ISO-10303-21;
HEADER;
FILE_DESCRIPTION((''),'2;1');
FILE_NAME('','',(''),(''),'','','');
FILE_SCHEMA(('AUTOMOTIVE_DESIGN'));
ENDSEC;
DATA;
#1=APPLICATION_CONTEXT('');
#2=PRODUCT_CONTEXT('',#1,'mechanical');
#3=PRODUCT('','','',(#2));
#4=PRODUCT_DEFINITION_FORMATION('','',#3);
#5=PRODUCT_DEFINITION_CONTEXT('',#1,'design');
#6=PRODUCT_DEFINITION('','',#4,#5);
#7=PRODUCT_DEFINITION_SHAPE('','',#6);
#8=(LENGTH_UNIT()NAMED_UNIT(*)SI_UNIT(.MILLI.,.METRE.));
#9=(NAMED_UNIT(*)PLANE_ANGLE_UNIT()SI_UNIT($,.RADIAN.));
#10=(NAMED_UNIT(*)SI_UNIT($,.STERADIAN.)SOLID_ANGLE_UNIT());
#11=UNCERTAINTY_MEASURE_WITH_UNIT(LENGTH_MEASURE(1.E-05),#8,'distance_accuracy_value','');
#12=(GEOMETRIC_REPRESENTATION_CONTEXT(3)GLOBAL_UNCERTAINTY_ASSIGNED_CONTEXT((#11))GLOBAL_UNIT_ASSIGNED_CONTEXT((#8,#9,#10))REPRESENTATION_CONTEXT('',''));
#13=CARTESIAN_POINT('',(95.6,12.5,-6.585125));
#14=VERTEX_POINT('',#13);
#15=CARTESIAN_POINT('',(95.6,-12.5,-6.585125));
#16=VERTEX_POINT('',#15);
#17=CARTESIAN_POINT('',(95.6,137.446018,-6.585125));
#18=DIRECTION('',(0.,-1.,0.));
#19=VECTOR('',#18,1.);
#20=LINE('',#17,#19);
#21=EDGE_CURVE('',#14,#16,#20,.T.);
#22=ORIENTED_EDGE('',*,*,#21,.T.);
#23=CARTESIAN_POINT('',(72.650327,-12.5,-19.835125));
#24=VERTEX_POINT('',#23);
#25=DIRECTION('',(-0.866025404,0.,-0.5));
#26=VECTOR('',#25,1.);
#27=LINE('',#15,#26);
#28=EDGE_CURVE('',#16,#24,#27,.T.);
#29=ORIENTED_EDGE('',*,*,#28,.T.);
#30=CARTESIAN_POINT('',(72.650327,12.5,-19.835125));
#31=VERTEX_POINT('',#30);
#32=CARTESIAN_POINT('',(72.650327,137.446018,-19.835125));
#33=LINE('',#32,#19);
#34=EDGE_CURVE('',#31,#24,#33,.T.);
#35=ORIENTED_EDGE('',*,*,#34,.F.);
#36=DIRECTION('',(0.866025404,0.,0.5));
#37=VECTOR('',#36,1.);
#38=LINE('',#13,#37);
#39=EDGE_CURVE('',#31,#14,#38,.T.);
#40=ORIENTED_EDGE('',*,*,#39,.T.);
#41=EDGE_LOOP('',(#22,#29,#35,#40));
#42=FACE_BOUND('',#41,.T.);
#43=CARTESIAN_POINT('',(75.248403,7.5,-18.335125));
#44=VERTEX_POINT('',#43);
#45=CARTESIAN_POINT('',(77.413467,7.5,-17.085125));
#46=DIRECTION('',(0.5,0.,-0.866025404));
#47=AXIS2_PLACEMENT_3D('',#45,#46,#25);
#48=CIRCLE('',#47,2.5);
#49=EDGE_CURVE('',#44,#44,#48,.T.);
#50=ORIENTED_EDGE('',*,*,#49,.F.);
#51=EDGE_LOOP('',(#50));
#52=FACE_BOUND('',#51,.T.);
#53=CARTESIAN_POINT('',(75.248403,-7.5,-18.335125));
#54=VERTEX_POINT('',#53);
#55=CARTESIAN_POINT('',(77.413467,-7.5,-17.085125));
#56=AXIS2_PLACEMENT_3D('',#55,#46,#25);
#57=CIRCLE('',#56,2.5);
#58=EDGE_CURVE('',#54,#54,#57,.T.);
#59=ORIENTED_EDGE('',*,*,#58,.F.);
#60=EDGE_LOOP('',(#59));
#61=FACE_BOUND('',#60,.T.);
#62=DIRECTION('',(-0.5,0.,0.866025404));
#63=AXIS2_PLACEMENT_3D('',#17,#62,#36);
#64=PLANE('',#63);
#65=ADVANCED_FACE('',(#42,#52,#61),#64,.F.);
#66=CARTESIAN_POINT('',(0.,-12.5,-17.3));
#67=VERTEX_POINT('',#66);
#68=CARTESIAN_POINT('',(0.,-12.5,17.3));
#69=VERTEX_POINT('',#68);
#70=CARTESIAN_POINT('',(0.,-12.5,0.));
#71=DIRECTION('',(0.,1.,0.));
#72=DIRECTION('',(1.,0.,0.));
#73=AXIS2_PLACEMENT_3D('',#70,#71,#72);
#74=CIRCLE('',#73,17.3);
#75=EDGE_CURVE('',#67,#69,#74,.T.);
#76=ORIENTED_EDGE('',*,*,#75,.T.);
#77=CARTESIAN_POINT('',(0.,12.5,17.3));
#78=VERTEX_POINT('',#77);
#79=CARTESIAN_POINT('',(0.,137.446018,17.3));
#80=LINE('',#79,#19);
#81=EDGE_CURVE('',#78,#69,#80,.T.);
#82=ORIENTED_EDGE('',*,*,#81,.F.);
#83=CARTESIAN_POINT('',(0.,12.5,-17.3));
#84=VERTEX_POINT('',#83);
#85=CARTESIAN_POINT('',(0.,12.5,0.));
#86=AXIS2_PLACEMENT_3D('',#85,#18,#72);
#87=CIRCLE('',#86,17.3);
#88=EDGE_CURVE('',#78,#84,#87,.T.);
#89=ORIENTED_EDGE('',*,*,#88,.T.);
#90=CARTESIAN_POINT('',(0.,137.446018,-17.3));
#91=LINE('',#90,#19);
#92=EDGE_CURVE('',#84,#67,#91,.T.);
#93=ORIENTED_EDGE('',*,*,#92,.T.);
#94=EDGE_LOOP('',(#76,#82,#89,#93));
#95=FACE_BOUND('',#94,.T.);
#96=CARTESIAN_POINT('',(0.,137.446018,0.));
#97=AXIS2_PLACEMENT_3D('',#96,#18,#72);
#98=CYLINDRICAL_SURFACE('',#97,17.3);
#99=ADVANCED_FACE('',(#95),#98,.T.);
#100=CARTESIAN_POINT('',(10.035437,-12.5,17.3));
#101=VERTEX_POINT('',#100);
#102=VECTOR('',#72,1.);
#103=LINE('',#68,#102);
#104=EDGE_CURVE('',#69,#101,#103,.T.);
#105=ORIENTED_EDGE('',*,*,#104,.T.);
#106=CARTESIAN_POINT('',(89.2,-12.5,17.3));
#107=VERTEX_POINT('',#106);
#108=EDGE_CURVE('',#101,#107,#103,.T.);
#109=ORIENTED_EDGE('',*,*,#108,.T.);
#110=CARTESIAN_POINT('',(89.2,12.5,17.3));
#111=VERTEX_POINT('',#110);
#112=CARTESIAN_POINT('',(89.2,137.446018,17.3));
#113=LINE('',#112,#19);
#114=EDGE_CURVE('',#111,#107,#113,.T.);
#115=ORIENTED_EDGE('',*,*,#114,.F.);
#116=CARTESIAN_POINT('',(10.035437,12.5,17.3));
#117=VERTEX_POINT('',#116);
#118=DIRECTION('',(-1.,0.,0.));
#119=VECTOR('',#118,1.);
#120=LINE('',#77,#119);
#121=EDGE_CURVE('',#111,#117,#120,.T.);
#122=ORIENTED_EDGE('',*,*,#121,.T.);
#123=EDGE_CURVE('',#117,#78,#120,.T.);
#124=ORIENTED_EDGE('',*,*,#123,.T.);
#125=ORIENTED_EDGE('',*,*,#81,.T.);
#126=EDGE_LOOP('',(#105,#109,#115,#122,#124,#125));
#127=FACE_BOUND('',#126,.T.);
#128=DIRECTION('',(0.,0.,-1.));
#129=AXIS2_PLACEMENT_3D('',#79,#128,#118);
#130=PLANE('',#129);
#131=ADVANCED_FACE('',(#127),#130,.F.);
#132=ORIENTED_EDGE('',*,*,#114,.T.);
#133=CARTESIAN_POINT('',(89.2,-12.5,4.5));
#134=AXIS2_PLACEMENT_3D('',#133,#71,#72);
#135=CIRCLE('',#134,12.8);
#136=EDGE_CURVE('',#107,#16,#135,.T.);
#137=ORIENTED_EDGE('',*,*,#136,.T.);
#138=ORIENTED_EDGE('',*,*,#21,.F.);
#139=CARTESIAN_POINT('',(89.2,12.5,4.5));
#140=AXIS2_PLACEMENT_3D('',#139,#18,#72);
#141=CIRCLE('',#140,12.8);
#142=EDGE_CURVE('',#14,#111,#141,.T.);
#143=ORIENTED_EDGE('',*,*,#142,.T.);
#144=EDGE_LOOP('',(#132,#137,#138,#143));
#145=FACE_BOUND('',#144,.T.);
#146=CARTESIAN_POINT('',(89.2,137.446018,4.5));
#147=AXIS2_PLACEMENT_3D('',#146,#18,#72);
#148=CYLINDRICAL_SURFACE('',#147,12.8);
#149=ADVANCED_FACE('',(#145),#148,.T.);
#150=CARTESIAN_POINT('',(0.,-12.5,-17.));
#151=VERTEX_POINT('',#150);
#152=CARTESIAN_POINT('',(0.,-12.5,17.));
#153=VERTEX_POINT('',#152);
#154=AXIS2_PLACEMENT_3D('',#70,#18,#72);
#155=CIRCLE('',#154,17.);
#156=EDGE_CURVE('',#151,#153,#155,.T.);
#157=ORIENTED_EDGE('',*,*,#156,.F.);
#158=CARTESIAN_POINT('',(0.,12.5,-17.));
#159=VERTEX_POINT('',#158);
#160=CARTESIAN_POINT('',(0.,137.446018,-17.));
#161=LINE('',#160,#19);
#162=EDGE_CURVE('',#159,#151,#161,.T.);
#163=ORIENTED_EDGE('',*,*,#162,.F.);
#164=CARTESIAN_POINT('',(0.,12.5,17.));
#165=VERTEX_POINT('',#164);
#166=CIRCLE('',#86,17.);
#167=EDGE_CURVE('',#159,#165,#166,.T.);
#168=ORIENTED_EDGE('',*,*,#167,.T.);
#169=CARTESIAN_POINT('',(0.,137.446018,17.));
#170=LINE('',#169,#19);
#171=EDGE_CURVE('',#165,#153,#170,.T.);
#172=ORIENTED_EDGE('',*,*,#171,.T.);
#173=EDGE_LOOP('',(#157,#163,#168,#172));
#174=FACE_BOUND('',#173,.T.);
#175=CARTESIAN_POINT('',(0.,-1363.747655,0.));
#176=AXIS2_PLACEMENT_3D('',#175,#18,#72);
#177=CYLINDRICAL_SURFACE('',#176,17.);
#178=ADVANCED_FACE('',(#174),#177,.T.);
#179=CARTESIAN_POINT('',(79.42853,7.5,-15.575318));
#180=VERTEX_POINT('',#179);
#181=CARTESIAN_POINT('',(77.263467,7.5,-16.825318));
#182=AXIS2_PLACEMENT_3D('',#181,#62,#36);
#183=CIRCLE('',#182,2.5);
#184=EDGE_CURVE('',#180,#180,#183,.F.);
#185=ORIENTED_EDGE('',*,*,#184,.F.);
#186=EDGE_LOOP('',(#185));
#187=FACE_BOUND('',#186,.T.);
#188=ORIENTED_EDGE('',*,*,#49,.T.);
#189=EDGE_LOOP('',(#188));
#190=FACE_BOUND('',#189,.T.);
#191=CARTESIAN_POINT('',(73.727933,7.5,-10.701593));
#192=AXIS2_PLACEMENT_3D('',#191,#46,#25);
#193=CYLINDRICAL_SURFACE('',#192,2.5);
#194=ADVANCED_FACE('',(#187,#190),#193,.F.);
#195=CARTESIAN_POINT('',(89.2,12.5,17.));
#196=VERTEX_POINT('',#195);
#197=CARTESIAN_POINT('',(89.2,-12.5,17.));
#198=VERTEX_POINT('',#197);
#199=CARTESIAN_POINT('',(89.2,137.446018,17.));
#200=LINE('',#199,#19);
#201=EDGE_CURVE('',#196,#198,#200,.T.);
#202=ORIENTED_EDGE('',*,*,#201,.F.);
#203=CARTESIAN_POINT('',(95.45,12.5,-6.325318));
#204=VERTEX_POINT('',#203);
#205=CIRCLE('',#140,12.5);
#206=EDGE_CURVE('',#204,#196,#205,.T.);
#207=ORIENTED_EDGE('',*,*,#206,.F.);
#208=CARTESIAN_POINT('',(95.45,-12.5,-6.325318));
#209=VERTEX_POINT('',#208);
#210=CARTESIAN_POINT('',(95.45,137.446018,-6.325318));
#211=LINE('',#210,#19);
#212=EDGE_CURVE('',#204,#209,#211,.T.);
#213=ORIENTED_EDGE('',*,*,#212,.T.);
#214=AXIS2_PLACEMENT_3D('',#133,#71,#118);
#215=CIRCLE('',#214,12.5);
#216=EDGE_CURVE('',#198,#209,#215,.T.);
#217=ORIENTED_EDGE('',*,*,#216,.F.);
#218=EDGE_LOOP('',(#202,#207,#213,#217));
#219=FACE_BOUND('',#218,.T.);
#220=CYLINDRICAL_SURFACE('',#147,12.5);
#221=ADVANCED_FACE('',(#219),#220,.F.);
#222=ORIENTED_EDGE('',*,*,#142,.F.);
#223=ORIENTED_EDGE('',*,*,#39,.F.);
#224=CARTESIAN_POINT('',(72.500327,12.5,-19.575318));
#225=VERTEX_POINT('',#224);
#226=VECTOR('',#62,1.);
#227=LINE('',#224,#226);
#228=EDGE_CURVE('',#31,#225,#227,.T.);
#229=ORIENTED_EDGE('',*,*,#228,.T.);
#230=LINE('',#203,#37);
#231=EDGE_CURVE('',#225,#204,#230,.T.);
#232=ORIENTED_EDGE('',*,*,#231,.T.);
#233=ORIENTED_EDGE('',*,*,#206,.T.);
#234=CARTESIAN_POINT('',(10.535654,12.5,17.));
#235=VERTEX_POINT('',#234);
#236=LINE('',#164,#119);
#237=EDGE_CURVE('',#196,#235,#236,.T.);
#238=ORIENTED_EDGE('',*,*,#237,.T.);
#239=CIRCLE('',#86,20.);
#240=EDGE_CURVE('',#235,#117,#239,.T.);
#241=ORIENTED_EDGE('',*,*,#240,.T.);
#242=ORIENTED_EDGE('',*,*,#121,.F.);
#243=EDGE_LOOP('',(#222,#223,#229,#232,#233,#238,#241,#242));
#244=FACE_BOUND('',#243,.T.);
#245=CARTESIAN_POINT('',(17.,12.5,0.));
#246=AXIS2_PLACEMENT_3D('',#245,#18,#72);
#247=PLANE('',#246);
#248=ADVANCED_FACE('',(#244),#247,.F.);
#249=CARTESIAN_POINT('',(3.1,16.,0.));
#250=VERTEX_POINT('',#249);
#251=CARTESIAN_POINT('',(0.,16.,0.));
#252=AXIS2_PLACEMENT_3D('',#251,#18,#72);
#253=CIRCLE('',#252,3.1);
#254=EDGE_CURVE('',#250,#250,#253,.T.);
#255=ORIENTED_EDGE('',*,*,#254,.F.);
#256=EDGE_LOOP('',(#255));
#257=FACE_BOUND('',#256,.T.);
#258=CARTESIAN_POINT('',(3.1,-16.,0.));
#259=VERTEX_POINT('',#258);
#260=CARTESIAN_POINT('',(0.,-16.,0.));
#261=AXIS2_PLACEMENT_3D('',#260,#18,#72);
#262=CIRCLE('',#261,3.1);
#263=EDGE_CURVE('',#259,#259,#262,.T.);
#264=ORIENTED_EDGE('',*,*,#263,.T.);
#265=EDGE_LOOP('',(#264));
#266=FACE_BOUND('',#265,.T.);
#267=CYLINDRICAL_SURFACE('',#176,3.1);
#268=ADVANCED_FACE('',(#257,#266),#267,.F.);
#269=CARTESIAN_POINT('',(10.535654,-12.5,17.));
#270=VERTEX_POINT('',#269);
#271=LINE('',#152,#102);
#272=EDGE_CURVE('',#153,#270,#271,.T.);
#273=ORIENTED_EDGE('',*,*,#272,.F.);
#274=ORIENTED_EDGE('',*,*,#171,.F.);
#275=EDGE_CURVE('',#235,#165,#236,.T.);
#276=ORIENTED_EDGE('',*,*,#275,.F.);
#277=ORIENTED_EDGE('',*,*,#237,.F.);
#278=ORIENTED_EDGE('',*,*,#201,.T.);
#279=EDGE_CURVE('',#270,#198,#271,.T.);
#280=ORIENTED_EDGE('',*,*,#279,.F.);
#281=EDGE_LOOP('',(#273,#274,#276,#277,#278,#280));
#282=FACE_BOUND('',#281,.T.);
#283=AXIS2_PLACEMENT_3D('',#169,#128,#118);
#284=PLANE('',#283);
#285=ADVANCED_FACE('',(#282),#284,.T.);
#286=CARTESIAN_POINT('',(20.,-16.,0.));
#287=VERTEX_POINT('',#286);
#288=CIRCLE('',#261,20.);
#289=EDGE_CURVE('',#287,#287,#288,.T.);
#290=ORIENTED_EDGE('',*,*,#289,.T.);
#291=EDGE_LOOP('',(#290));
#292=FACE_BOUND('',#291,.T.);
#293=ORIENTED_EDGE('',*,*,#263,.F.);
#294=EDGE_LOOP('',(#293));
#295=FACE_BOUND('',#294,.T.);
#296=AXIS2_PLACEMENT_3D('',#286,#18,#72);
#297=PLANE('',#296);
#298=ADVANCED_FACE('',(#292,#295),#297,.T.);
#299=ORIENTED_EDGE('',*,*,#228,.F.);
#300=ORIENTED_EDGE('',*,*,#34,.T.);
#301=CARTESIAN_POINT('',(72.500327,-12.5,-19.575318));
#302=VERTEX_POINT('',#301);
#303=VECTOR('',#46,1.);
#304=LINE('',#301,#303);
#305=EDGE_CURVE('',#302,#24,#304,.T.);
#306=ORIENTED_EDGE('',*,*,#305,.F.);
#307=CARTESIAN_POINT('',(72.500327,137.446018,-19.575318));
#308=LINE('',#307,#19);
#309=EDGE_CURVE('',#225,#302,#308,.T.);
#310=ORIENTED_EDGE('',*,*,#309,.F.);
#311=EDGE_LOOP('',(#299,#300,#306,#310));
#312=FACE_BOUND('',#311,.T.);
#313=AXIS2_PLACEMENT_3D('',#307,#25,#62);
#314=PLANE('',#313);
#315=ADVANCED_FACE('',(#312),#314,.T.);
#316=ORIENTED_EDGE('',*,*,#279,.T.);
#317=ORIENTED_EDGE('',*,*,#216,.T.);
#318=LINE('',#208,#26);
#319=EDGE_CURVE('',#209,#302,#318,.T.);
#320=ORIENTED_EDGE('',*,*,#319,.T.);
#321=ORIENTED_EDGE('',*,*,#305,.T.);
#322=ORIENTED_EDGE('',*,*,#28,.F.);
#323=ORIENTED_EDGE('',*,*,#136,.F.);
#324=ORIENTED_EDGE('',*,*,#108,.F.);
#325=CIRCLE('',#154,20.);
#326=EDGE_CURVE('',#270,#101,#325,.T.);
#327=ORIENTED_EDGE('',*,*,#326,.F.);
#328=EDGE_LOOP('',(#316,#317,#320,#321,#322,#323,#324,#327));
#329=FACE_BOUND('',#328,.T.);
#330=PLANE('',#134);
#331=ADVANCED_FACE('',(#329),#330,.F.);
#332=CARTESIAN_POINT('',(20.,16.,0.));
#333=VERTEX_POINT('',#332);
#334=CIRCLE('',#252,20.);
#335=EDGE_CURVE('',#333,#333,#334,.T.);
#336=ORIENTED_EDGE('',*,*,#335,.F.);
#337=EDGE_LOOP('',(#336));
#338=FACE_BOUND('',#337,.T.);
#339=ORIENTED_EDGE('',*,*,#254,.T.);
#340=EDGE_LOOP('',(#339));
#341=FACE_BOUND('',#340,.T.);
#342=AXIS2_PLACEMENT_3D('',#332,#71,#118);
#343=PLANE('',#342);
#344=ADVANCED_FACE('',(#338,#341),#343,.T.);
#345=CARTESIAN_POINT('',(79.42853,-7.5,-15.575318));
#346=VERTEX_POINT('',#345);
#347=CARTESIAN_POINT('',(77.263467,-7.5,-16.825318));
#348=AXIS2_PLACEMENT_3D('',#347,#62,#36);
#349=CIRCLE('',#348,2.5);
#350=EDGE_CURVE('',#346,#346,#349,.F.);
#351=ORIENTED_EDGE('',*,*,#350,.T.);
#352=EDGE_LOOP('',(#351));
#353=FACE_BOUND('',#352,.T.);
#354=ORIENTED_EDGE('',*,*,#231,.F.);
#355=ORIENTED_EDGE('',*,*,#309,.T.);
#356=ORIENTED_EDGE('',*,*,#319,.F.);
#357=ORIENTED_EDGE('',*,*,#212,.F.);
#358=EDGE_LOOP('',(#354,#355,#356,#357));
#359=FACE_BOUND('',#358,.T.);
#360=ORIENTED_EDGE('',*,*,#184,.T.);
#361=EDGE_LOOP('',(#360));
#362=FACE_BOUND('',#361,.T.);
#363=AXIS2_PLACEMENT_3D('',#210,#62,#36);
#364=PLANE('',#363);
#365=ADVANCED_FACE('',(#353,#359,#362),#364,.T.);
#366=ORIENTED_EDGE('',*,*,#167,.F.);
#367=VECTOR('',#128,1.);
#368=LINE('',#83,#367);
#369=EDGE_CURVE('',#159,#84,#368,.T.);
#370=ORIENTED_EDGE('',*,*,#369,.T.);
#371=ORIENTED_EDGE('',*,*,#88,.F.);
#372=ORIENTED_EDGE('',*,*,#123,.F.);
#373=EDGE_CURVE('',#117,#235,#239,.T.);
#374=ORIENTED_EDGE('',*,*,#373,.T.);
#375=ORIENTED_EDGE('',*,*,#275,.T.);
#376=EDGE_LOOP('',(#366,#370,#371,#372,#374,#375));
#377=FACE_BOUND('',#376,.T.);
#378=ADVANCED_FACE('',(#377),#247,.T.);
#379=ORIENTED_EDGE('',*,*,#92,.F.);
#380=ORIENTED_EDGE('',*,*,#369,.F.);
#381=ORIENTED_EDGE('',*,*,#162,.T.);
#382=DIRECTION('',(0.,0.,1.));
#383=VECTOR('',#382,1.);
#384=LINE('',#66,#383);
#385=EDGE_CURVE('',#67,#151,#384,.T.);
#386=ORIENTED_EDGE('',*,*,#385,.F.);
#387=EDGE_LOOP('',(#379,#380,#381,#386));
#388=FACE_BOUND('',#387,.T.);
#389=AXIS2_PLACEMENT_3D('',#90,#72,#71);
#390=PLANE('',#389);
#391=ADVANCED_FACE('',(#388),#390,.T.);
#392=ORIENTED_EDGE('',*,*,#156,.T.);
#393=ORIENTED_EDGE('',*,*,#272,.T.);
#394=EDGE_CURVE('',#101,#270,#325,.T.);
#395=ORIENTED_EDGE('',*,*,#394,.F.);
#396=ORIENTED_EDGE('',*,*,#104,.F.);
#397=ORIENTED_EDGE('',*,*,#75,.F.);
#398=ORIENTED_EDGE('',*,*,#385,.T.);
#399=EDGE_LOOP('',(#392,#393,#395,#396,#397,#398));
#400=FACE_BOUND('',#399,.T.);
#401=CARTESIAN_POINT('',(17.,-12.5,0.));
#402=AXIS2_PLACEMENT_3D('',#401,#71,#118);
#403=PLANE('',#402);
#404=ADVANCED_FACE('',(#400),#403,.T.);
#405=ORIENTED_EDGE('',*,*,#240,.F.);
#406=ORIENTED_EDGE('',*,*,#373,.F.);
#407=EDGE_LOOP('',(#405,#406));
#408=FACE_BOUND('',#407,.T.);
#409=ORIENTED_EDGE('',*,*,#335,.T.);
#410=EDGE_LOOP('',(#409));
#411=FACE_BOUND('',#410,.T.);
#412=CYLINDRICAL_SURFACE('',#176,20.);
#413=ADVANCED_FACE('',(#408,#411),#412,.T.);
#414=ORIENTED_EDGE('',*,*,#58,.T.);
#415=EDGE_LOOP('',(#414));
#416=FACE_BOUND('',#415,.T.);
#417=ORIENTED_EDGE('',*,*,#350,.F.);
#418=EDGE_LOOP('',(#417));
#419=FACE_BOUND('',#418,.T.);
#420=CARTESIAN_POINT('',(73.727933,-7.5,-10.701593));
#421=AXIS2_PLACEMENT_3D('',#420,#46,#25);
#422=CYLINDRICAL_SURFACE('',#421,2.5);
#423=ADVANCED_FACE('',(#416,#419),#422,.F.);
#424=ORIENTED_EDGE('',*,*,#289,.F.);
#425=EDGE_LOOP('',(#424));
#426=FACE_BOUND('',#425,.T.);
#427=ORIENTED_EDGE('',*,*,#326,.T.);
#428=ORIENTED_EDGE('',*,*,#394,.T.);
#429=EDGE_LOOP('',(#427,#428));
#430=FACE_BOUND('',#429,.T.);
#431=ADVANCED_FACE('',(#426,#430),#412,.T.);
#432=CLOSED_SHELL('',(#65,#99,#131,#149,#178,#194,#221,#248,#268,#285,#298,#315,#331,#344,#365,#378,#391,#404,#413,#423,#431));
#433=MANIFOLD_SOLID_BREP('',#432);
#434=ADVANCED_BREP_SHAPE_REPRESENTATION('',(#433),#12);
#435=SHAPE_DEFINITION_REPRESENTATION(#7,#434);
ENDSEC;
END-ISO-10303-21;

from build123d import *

# Parameters (mm, degrees)
EXTRUDE_THIN2_DEPTH = 25
SKETCH4_R           = 2.5
CUT_EXTRUDE1_DEPTH  = 0.3


with BuildPart() as part:
    # Sketch1 → Revolve1 (revolve)
    with BuildSketch(Plane.XY):
        Polygon((3.1, 16), (3.1, -16), (20, -16), (20, -12.5), (17, -12.5), (17, 12.5), (20, 12.5), (20, 16), align=None)
    revolve(axis=Axis((0, -1363.747655385, 0), (0, 1, 0)))

    # Sketch2 → Extrude-Thin2 (add)
    with BuildSketch(Plane(origin=(0, -12.5, 0), x_dir=(1, 0, 0), z_dir=(0, 1, 0))):
        with BuildLine():
            ThreePointArc((0, 17), (-17, 0), (0, -17))
            Line((0, -17), (89.2, -17))
            ThreePointArc((89.2, -17), (101.274072829, -7.735238064), (95.45, 6.325317547))
            Line((95.45, 6.325317547), (72.5003268, 19.575317547))
            Line((72.5003268, 19.575317547), (72.6503268, 19.835125168))
            Line((72.6503268, 19.835125168), (95.6, 6.585125168))
            ThreePointArc((95.6, 6.585125168), (101.563850577, -7.812883777), (89.2, -17.3))
            Line((89.2, -17.3), (0, -17.3))
            ThreePointArc((0, -17.3), (-17.3, 0), (0, 17.3))
            Line((0, 17.3), (0, 17))
        make_face()
    extrude(amount=EXTRUDE_THIN2_DEPTH)

    # Sketch4 → Cut-Extrude1 (cut)
    with BuildSketch(Plane(origin=(26.751442841, 0, -46.334858177), x_dir=(-0.866025404, 0, -0.5), z_dir=(0.5, 0, -0.866025404))):
        with Locations((-58.499466018, -7.5)):
            Circle(SKETCH4_R)
        with Locations((-58.499466018, 7.5)):
            Circle(SKETCH4_R)
    extrude(amount=-CUT_EXTRUDE1_DEPTH, mode=Mode.SUBTRACT)


solid = part.part
